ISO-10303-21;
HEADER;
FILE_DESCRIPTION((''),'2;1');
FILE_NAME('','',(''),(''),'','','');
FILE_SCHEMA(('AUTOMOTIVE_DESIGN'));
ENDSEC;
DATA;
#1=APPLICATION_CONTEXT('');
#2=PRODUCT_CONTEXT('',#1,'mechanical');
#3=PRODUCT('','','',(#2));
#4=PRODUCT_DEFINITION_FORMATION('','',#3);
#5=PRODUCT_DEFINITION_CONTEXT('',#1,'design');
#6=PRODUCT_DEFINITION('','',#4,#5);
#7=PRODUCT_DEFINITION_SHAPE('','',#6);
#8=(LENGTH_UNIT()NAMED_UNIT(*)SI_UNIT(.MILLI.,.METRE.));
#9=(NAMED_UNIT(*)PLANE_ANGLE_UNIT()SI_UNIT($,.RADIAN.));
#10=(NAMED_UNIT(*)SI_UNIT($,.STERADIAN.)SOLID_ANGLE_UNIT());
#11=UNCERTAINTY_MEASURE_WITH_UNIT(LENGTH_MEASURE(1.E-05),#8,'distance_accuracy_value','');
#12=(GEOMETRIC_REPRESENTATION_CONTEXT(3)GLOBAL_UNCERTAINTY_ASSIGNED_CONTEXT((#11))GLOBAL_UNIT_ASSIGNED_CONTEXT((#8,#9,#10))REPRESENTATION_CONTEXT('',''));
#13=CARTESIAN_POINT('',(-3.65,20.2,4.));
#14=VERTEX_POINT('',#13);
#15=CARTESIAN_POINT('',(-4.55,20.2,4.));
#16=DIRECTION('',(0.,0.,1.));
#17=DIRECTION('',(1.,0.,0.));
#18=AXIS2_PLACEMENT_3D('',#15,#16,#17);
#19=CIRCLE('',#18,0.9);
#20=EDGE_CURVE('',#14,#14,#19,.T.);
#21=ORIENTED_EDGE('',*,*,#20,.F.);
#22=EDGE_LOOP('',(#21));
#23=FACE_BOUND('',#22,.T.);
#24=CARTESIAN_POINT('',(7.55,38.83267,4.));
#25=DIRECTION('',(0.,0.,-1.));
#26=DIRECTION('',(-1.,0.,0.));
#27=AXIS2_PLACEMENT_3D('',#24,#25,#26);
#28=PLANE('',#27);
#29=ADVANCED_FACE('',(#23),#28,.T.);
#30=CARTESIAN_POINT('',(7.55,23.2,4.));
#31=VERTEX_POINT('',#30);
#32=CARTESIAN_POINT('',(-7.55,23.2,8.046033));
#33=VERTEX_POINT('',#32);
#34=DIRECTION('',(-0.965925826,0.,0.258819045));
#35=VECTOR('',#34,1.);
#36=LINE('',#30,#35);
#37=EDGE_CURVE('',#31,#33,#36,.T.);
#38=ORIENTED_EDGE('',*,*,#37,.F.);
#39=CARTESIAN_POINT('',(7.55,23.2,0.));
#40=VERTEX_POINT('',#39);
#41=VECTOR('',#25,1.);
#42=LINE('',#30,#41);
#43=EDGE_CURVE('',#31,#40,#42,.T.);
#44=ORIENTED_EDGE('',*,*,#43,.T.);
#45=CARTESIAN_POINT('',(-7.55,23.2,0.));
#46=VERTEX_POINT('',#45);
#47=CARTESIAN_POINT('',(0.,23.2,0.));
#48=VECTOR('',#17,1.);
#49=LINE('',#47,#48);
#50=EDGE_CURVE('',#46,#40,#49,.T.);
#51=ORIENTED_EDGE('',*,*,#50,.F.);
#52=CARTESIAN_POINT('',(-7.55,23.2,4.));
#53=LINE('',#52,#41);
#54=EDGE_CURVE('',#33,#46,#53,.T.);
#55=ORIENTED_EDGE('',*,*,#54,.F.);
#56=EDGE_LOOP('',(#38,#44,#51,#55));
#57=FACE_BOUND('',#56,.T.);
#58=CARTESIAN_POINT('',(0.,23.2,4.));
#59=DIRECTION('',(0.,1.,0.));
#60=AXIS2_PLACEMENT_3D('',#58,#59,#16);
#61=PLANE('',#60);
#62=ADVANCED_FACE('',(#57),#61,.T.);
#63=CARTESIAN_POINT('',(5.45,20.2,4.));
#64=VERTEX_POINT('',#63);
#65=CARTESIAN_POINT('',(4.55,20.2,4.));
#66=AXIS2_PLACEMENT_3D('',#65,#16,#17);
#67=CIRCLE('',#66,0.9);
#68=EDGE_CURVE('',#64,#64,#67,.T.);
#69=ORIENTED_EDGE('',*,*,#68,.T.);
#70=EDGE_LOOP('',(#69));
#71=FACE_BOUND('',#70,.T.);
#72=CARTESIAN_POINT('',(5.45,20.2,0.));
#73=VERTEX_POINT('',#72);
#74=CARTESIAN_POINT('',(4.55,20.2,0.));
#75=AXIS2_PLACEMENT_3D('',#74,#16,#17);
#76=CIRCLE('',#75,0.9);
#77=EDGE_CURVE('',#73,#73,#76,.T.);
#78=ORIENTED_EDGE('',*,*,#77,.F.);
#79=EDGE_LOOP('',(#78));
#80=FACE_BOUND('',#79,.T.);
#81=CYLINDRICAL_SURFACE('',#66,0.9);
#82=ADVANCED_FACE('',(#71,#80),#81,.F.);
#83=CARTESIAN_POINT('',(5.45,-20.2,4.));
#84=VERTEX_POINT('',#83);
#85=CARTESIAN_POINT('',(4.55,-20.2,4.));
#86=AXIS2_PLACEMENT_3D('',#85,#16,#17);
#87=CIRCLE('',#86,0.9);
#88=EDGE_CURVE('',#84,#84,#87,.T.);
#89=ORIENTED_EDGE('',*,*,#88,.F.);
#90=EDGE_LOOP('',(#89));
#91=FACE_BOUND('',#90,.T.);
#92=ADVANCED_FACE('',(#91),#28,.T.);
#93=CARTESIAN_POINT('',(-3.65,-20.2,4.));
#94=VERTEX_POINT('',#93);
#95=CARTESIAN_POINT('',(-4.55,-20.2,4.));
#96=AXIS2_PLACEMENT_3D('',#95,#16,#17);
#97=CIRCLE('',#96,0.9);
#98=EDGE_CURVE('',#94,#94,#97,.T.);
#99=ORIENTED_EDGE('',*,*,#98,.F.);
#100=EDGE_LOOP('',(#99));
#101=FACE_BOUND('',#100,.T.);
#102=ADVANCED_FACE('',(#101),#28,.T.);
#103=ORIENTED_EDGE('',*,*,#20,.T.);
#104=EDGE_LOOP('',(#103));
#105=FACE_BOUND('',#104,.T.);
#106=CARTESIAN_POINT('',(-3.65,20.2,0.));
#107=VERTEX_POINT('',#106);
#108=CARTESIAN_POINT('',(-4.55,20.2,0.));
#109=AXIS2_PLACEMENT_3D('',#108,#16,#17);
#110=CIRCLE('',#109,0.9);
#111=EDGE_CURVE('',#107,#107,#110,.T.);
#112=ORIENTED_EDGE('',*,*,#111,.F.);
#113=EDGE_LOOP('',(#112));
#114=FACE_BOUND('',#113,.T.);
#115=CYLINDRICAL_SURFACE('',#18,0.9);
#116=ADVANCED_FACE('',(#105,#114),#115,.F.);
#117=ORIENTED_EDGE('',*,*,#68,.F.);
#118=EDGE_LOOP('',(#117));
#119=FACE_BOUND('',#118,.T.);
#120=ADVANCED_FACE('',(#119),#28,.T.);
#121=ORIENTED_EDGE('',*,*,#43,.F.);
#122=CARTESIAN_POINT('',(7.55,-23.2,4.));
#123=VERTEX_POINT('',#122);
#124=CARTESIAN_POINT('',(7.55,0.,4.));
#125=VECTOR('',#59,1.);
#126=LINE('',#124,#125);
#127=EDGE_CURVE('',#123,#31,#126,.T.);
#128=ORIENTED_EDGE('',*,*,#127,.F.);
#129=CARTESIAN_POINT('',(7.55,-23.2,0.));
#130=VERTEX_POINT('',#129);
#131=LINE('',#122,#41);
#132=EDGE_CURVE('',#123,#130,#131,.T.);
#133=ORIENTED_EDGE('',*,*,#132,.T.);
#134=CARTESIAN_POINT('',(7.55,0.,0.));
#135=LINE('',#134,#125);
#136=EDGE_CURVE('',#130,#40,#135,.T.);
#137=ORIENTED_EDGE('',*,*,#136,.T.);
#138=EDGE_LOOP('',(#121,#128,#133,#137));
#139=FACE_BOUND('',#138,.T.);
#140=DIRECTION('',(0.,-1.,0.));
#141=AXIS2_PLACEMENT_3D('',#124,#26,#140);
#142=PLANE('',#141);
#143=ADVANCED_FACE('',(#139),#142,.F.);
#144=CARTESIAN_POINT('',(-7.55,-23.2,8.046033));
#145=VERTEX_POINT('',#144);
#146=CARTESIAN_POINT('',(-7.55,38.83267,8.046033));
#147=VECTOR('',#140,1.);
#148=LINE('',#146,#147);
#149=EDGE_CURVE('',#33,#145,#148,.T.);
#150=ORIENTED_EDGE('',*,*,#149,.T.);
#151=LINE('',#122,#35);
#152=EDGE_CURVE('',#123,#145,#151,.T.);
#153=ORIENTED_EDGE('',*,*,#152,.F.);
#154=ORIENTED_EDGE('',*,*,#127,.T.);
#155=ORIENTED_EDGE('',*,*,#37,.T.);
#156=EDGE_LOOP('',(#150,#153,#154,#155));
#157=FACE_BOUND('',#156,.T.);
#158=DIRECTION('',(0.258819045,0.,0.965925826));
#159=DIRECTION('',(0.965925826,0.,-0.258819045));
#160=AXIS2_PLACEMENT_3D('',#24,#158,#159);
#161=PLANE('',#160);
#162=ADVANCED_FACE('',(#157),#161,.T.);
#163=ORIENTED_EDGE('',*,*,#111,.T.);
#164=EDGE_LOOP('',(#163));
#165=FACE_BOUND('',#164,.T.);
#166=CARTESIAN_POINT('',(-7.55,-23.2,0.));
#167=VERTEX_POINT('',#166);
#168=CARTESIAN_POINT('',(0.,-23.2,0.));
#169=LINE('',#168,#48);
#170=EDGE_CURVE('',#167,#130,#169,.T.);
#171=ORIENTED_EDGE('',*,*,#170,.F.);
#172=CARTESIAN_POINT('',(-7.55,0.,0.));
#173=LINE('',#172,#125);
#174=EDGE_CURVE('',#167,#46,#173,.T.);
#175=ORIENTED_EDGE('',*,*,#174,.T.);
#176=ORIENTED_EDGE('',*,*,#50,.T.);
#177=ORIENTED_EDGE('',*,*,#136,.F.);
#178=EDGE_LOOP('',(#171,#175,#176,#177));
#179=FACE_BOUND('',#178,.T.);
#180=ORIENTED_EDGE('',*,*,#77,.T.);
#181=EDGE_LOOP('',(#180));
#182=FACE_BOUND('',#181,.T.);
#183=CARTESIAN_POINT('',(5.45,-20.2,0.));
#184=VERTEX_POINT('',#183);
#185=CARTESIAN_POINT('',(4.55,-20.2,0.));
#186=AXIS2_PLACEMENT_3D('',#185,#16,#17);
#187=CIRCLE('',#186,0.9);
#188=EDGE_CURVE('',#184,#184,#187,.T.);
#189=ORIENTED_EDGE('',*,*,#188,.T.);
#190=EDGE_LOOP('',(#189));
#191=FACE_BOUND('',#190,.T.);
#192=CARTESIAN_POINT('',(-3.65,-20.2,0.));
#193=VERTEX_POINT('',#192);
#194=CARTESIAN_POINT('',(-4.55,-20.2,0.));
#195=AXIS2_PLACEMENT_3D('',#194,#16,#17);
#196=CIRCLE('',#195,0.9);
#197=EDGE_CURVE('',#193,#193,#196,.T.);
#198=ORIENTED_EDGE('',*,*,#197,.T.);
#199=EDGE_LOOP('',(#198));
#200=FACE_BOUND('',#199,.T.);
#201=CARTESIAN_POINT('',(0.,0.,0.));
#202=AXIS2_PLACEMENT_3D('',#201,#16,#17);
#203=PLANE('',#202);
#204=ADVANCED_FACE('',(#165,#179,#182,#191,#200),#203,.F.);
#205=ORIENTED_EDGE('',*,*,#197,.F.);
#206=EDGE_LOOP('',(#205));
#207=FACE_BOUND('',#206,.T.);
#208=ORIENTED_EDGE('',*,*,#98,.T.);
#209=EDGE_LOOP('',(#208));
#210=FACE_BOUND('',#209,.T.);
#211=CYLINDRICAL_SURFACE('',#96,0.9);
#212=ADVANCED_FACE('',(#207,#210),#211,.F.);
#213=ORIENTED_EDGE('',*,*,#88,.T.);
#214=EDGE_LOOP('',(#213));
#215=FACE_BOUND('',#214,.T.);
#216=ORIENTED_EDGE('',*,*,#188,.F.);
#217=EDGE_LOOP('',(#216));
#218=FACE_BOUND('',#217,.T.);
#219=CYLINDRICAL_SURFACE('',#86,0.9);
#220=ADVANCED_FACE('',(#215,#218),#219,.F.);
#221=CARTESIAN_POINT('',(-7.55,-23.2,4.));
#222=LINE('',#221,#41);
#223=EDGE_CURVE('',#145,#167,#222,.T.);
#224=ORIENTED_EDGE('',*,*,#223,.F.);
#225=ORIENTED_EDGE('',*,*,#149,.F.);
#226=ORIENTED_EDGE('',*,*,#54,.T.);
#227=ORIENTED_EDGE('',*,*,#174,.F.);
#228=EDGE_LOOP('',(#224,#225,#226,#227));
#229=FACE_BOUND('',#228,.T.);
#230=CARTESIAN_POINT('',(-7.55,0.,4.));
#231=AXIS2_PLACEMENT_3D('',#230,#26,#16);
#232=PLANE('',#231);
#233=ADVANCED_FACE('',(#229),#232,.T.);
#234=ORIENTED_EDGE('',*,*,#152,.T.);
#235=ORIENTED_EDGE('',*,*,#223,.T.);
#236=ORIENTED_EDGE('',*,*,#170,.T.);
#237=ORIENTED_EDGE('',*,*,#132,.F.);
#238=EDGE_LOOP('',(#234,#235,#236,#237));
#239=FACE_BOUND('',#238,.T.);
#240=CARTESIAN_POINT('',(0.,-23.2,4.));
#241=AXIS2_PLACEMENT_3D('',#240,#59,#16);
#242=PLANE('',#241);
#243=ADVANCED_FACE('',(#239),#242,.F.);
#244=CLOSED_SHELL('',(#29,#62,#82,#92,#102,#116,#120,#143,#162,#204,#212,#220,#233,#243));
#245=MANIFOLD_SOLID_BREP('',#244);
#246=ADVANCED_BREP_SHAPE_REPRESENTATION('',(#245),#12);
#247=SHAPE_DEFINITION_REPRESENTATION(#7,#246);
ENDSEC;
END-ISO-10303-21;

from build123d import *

# Parameters (mm, degrees)
SKETCH1_W                       = 15.1
SKETCH1_H                       = 46.4
SKETCH1_W_2                     = 9.1
SKETCH1_H_2                     = 40.4
BOSS_EXTRUDE1_DEPTH             = 4
TAP_DRILL_FOR_M2X0_4_TAP1_D     = 1.8
TAP_DRILL_FOR_M2X0_4_TAP1_DEPTH = 10
TAP_DRILL_FOR_M2X0_4_TAP1_TIP   = 0.540774557
BOSS_EXTRUDE2_DEPTH             = 46.4


with BuildPart() as part:
    # Sketch1 → Boss-Extrude1 (new body)
    # profile 1 of 2: a face of its own
    with BuildSketch(Plane.XY):
        Rectangle(SKETCH1_W, SKETCH1_H)
        Rectangle(SKETCH1_W_2, SKETCH1_H_2, mode=Mode.SUBTRACT)
    # profile 2 of 2: a face of its own
    with BuildSketch(Plane.XY):
        Rectangle(SKETCH1_W_2, SKETCH1_H_2)
    extrude(amount=BOSS_EXTRUDE1_DEPTH)

    # Tap Drill for M2x0.4 Tap1
    with Locations(Plane(origin=(-4.55, 20.2, 4), x_dir=(1, 0, 0), z_dir=(0, 0, 1))):
        with Locations((0, 0), (9.1, 0), (9.1, -40.4), (0, -40.4)):
            Hole(TAP_DRILL_FOR_M2X0_4_TAP1_D / 2, depth=TAP_DRILL_FOR_M2X0_4_TAP1_DEPTH)
            with Locations((0, 0, -(TAP_DRILL_FOR_M2X0_4_TAP1_DEPTH + TAP_DRILL_FOR_M2X0_4_TAP1_TIP / 2))):  # 118° drill point
                Cone(0, TAP_DRILL_FOR_M2X0_4_TAP1_D / 2, TAP_DRILL_FOR_M2X0_4_TAP1_TIP, mode=Mode.SUBTRACT)

    # Sketch5 → Boss-Extrude2 (add)
    with BuildSketch(Plane(origin=(0, -23.2, 0), x_dir=(-1, 0, 0), z_dir=(0, -1, 0))):
        Polygon((-7.55, -4), (7.55, -8.046032806), (7.55, -4), align=None)
    extrude(amount=-BOSS_EXTRUDE2_DEPTH)


solid = part.part
